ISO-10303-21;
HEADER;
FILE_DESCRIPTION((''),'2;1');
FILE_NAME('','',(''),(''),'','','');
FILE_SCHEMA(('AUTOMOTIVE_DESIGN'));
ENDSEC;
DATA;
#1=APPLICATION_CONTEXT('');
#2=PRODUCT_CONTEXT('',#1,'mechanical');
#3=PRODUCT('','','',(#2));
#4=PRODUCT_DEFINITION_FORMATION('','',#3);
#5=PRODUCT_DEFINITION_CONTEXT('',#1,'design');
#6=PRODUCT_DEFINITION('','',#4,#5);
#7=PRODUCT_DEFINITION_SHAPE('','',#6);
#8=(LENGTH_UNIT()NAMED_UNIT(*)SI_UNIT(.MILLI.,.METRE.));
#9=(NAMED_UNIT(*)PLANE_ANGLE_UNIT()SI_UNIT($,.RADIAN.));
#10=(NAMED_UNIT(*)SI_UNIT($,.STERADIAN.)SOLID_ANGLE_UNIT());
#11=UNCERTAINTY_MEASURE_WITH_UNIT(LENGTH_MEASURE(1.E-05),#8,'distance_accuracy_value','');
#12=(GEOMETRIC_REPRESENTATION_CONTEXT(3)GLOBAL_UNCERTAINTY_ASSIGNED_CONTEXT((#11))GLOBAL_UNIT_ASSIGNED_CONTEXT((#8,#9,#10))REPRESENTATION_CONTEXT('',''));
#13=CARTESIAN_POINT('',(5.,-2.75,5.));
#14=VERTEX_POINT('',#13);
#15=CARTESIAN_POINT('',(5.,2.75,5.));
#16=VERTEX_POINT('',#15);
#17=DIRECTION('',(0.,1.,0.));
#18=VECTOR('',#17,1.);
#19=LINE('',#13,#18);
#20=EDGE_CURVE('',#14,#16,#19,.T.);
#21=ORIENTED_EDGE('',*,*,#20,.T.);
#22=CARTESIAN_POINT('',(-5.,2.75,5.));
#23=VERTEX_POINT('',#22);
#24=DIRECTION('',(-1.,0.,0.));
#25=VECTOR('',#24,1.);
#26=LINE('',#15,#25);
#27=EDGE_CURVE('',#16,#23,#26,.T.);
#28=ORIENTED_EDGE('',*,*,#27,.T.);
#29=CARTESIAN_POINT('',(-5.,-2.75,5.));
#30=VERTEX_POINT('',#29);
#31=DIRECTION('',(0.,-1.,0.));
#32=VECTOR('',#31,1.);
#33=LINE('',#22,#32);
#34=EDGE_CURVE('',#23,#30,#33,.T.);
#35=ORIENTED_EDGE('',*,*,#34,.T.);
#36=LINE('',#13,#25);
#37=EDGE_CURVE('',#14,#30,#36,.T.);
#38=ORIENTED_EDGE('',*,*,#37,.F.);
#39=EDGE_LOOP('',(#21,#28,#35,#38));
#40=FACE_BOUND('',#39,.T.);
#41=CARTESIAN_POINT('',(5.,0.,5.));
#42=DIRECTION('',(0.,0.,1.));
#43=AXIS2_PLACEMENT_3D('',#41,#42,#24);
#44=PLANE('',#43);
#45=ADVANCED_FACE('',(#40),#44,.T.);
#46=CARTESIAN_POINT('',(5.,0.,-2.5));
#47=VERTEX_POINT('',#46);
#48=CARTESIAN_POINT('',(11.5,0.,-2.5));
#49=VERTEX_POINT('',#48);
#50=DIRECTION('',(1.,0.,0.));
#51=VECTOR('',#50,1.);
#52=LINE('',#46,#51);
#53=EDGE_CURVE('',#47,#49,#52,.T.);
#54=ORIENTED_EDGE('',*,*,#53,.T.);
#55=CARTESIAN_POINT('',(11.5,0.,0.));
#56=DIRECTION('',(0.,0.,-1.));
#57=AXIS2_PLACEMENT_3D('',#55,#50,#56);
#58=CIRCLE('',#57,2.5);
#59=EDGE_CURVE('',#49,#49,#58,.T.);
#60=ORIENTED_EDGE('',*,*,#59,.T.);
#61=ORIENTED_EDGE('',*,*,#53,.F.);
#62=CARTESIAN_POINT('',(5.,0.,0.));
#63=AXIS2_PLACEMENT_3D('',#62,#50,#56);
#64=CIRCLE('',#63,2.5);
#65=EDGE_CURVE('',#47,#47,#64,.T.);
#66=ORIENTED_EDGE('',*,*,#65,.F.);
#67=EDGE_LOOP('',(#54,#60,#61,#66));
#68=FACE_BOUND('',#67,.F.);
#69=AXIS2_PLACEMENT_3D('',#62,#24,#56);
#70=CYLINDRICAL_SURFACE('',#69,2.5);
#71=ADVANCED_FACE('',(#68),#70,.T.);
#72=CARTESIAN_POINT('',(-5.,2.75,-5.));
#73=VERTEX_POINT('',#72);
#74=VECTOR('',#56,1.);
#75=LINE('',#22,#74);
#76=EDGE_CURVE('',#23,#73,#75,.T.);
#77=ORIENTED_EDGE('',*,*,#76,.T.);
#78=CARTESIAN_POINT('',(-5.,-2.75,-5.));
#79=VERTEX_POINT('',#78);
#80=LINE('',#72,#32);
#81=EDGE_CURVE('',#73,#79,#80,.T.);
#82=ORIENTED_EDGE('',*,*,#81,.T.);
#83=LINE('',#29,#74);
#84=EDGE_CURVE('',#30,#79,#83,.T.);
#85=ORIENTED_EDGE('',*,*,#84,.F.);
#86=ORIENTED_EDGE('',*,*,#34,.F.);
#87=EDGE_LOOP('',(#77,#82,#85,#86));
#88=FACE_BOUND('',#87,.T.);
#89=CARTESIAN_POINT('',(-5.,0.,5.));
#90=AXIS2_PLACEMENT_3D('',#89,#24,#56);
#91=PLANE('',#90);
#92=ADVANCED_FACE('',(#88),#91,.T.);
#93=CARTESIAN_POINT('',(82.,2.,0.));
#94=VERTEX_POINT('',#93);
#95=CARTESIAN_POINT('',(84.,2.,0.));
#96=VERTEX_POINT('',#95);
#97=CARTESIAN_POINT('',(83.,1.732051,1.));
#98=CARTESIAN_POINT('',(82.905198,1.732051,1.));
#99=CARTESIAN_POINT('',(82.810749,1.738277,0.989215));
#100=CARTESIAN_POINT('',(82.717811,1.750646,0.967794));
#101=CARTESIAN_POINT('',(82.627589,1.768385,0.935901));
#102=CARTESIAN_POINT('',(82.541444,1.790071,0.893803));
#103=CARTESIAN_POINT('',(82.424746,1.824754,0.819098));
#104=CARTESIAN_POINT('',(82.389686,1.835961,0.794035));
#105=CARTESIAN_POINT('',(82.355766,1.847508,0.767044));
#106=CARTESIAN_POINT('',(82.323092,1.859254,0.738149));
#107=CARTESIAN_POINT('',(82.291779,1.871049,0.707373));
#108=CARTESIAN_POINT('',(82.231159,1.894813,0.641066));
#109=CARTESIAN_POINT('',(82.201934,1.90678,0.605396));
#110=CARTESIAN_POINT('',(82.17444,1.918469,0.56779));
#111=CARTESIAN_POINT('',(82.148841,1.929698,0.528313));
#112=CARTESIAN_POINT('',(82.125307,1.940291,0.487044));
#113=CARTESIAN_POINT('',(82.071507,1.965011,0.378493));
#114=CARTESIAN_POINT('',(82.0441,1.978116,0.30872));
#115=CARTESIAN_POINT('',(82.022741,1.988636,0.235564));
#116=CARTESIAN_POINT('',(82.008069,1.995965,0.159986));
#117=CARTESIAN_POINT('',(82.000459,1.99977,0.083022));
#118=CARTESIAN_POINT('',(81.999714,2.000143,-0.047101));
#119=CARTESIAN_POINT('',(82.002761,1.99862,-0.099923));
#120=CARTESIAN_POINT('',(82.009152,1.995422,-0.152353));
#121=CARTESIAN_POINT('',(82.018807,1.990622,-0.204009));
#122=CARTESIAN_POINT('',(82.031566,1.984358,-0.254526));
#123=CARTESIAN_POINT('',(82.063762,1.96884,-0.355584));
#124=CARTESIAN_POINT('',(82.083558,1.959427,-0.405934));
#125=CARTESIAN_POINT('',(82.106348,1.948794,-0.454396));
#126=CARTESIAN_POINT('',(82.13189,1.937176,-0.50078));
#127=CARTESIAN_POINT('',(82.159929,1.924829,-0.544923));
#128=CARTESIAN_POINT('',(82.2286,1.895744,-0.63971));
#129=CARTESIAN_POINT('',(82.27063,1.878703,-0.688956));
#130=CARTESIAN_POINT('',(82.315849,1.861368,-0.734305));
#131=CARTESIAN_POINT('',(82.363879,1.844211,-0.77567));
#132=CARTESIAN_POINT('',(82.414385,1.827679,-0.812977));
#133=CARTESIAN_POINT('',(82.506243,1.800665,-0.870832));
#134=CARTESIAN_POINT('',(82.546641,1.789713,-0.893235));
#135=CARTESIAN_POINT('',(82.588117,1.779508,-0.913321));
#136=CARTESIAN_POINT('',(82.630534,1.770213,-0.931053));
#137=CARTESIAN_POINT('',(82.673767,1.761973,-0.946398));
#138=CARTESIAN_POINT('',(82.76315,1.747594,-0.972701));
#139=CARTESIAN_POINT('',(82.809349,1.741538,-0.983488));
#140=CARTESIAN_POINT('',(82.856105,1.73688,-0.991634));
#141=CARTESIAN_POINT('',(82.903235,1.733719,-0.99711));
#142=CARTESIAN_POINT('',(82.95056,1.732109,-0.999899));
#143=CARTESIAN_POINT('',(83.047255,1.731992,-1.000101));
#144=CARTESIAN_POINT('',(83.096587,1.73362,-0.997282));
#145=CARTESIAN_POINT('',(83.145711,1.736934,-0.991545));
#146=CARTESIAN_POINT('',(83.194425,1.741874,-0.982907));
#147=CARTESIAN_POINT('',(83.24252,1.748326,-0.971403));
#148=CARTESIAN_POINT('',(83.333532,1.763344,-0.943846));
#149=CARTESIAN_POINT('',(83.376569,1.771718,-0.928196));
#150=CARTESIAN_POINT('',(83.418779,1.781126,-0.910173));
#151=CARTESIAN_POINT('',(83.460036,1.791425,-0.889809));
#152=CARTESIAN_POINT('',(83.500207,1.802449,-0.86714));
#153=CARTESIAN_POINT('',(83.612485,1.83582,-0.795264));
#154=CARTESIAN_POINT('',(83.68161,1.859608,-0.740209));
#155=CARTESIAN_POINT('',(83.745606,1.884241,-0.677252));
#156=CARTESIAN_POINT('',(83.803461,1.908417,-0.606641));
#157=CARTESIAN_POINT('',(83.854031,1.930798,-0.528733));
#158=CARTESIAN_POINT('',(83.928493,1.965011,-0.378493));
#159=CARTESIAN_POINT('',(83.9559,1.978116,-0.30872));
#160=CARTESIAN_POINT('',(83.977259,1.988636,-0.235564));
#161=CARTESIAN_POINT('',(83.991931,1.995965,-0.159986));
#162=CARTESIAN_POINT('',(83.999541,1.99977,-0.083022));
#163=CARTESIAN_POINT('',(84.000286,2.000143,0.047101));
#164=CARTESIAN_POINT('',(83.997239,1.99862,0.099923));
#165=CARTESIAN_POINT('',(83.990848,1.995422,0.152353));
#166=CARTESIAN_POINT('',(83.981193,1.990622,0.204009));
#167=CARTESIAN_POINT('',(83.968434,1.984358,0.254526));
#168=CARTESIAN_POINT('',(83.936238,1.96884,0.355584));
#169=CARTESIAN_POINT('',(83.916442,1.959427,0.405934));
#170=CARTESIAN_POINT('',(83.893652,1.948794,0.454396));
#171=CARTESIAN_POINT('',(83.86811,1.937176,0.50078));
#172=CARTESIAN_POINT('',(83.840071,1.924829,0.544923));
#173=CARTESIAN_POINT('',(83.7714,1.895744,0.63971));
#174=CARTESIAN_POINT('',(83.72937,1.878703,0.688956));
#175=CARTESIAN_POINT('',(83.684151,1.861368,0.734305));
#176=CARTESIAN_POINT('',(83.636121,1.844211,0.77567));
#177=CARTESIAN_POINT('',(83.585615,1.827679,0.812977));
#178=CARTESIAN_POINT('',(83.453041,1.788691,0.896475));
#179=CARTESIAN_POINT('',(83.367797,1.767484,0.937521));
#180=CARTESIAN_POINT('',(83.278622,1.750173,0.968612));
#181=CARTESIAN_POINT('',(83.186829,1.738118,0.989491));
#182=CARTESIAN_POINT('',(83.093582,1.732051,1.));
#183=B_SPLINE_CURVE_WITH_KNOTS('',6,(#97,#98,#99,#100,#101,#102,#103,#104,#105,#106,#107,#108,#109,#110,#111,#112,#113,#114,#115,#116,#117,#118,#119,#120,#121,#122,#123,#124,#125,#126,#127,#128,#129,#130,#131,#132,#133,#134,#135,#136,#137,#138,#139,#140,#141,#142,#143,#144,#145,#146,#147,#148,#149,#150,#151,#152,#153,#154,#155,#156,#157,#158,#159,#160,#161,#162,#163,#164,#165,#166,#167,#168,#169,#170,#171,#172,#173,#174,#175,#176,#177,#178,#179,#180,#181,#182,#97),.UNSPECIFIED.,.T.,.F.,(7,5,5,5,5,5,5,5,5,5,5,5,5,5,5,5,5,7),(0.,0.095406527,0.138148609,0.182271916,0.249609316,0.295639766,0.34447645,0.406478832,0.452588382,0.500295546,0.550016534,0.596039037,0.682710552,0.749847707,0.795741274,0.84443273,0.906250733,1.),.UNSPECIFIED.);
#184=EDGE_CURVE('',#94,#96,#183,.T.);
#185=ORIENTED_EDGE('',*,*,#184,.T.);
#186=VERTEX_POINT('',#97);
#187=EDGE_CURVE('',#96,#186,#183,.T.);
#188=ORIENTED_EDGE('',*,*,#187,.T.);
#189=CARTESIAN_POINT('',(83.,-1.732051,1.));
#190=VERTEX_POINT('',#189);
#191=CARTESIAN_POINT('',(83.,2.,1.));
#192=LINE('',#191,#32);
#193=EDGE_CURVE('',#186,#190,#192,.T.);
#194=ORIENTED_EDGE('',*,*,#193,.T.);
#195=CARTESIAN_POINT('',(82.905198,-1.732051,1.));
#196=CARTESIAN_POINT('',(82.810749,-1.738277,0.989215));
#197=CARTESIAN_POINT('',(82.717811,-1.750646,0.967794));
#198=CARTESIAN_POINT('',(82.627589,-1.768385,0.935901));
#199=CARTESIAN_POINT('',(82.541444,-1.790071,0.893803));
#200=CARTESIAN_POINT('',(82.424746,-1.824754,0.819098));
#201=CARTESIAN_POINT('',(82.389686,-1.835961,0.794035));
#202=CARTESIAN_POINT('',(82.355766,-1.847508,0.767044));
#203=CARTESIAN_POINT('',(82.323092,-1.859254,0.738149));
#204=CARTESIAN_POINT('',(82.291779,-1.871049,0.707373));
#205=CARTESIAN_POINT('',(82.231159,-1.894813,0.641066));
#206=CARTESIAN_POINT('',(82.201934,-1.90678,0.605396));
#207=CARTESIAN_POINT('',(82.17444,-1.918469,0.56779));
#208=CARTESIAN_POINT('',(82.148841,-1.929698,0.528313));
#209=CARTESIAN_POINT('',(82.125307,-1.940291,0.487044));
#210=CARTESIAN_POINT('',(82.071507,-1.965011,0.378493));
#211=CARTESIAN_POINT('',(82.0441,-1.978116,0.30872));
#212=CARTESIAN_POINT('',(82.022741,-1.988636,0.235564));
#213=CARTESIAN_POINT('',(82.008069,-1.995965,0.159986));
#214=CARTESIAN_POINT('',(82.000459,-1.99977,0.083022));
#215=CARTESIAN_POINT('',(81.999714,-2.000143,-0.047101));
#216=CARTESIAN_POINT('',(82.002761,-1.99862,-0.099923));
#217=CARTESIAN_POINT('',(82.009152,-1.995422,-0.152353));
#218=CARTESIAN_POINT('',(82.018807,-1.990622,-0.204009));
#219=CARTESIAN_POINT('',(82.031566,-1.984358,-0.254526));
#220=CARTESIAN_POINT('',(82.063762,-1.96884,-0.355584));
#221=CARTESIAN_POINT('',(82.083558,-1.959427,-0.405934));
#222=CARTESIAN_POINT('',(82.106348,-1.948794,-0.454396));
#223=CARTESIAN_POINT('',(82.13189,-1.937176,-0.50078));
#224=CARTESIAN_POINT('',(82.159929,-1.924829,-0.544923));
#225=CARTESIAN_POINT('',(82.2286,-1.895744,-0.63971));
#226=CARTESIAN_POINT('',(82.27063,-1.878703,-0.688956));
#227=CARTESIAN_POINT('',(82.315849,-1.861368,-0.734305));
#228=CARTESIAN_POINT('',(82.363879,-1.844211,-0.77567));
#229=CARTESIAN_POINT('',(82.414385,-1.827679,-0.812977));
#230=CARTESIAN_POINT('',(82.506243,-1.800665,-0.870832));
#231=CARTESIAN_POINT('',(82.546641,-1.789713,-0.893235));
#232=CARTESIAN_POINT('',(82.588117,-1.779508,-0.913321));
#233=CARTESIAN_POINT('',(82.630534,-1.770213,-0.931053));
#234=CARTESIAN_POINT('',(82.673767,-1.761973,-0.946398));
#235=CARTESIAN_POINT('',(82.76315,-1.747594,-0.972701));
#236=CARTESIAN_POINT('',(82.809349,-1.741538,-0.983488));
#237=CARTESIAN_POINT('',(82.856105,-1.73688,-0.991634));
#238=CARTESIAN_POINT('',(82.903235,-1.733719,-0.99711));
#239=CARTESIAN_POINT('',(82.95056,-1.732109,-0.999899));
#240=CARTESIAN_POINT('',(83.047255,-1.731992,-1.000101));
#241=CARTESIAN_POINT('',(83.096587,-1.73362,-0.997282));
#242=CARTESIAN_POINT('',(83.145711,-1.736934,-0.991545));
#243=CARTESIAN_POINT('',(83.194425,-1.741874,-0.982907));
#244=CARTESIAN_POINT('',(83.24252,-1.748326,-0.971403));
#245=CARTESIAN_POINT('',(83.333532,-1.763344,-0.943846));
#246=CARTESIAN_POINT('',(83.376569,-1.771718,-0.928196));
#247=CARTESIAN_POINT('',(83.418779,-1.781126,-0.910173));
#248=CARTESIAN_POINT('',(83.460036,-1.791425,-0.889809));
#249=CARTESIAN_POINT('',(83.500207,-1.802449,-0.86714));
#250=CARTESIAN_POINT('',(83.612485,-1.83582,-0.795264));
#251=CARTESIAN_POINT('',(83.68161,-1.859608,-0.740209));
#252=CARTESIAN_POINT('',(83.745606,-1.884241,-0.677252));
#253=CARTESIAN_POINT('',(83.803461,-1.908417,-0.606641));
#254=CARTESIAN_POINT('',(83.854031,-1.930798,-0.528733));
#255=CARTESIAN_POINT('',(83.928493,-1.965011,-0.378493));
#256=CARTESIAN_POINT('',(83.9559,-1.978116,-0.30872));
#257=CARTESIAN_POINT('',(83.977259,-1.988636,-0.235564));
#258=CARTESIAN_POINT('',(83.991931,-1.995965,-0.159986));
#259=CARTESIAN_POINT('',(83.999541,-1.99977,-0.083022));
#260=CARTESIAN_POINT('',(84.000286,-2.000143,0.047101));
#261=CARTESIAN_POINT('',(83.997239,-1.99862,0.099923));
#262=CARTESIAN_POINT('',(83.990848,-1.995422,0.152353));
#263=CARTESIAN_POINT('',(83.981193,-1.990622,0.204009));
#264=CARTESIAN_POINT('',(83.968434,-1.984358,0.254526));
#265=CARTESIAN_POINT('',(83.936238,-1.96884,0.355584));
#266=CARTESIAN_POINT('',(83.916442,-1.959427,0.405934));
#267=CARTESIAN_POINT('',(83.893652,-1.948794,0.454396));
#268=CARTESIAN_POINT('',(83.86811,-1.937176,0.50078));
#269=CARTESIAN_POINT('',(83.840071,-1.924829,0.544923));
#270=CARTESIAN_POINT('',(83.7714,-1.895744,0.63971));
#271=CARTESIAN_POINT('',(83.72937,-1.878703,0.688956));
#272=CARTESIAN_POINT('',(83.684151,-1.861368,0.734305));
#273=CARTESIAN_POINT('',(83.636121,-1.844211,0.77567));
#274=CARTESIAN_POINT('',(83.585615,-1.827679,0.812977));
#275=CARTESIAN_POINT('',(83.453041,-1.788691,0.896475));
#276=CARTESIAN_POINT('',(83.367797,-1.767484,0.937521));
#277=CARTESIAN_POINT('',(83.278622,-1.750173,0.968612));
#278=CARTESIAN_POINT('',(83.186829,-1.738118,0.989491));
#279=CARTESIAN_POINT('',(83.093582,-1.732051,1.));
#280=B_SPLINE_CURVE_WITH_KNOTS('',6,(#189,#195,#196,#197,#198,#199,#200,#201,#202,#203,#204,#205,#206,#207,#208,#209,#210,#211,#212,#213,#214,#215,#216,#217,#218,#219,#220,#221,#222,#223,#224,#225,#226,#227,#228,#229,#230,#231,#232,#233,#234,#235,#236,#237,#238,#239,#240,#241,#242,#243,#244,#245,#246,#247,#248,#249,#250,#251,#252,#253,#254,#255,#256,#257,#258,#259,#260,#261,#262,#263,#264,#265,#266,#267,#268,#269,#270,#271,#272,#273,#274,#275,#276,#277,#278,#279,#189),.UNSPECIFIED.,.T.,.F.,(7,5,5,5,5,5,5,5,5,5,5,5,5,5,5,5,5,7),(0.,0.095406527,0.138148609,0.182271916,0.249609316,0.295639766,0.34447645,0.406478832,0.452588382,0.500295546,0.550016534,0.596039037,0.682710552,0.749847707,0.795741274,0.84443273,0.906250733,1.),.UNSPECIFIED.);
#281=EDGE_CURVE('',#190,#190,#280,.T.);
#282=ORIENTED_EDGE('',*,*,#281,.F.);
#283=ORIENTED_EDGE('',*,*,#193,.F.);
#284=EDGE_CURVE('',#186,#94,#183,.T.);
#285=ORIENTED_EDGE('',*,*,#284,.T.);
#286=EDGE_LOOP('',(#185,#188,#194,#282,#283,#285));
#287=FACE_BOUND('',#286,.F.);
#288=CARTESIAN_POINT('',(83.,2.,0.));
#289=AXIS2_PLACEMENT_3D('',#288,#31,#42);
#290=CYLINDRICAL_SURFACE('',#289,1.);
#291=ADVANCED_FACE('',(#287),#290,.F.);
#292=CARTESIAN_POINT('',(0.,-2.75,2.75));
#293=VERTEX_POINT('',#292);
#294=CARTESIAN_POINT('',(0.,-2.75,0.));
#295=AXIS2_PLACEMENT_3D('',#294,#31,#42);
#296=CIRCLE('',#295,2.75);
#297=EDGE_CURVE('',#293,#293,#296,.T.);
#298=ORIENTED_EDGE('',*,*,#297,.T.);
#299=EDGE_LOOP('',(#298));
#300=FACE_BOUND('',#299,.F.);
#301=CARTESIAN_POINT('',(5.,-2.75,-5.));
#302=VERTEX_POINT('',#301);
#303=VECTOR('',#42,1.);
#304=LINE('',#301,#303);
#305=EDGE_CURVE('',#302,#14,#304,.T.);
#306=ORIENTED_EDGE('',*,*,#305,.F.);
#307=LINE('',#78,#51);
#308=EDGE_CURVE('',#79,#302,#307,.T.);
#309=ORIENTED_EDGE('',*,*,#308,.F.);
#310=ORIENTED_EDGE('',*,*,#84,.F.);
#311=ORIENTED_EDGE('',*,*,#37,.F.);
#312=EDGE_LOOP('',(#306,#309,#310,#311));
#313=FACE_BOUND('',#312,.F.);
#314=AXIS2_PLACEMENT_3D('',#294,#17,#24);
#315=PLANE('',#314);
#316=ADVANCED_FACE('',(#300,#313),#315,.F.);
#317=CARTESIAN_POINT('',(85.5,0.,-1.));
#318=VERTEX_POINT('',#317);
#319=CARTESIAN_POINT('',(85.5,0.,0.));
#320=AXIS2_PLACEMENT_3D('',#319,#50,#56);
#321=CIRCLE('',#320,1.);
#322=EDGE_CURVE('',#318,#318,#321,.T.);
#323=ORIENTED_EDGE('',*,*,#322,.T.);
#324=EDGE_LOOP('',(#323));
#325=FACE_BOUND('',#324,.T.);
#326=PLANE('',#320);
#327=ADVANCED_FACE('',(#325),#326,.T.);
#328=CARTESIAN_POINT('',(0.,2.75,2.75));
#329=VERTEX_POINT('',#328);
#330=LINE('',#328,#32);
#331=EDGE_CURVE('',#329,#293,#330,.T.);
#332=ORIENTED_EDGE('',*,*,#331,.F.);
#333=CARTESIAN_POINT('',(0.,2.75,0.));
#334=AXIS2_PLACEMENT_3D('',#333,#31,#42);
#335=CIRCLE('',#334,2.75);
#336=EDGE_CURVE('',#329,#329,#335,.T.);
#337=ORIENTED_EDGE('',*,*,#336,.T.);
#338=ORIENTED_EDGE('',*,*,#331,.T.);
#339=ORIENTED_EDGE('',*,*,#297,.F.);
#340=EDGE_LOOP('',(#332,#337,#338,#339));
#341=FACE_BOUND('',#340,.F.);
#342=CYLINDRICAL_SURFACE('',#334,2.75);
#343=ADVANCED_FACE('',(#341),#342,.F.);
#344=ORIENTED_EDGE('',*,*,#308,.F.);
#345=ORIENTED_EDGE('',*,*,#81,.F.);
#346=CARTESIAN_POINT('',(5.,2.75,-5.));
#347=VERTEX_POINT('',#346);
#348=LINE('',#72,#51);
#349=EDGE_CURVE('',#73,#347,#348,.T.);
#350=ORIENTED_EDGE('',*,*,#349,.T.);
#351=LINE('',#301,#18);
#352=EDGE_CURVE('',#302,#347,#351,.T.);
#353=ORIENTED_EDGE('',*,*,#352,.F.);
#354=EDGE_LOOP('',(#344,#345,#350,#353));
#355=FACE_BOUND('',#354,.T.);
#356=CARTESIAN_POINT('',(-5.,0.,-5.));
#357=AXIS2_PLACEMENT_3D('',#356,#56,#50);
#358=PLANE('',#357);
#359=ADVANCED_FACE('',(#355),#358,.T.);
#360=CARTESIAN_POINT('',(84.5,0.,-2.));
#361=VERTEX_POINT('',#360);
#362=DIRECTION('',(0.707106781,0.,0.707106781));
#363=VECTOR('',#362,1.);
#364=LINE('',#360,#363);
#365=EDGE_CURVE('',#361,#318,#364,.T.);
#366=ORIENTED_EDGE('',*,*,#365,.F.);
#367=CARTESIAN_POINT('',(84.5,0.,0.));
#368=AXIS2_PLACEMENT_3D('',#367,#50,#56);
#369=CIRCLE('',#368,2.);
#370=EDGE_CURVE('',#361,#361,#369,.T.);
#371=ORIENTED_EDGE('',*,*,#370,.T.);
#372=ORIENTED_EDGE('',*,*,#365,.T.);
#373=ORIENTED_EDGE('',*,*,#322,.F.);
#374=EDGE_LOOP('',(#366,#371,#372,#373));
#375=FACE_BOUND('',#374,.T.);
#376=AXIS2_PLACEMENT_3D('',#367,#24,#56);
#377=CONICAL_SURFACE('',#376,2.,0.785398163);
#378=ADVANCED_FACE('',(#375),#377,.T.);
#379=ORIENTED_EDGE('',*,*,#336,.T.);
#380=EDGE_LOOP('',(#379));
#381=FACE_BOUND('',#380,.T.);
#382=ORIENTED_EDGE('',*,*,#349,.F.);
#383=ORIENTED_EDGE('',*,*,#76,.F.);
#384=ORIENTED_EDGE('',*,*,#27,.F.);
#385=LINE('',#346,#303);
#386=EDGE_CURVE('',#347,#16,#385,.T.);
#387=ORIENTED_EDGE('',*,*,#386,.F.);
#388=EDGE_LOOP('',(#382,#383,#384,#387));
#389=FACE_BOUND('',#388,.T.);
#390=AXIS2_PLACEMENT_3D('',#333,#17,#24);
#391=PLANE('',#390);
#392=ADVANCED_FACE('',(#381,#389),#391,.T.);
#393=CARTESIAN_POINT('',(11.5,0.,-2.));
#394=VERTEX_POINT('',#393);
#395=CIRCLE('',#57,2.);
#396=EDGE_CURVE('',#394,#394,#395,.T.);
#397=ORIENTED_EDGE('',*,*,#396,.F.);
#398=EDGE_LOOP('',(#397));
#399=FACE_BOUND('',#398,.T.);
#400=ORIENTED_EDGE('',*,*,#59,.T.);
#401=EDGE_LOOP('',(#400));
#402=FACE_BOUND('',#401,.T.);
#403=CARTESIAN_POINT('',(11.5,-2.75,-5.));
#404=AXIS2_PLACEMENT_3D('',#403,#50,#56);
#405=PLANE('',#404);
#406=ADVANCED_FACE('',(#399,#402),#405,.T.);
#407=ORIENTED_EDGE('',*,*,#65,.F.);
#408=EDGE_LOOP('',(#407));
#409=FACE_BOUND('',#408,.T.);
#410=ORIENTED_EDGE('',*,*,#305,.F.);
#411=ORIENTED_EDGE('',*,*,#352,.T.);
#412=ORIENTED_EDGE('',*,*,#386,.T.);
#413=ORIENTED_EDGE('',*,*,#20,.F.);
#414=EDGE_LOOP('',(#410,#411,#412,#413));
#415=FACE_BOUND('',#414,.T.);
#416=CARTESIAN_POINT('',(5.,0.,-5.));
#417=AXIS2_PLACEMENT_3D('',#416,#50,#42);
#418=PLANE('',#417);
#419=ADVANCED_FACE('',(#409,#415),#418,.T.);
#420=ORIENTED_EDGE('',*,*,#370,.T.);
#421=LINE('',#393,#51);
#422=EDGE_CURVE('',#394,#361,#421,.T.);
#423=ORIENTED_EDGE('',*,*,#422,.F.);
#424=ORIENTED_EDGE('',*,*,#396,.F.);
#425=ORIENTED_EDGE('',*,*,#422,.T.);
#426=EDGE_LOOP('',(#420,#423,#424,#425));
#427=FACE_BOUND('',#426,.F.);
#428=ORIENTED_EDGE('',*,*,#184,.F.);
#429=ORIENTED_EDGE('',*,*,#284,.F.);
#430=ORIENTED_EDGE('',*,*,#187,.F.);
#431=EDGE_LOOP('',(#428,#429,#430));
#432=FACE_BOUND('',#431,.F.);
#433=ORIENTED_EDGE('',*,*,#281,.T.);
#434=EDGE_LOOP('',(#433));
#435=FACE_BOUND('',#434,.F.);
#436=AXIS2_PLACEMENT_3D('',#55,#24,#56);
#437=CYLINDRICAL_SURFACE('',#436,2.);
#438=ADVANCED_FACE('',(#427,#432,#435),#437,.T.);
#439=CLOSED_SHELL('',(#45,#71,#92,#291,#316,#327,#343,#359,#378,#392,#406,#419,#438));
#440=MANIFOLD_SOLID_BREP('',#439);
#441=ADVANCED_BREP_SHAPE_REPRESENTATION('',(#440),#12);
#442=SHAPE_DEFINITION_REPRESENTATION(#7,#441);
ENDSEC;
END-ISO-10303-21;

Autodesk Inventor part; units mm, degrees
ref_plane "YZ Plane" through (0, 0, 0) normal (1, 0, 0) x (0, 1, 0)
ref_plane "XY Plane" through (0, 0, 0) normal (0, 0, 1) x (1, 0, 0)
sketch "Skizze1" plane through (0, 0, 0) normal (0, 1, 0) x (-1, 0, 0)
  line L0 (-5, 5) -> (5, 5)
  line L1 (5, 5) -> (5, -5)
  line L2 (5, -5) -> (-5, -5)
  line L3 (-5, -5) -> (-5, 5)
  line L4 (-5, 5) -> (5, -5) construction
  line L5 (5, 5) -> (-5, -5) construction
  point P0 (0, 0)
  dimension "d0" = 10
  dimension "d1" = 10
extrude "Extrusion1" add sketch "Skizze1" along normal mid plane 5.5
sketch "Skizze2" plane through (5, -2.75, -5) normal (1, 0, 0) x (0, 0, -1)
  circle A0 centre (-5, 2.75) radius 2.5
  dimension "d4" = 5
extrude "Extrusion2" add sketch "Skizze2" along normal blind 6.5
sketch "Skizze3" plane through (11.5, 0, 0) normal (1, 0, 0) x (0, 0, -1)
  circle A0 centre (0, 0) radius 2.5 projected
  circle A1 centre (0, 0) radius 2
  dimension "d7" = 4
extrude "Extrusion3" add sketch "Skizze3" along normal blind 74 contours A1
sketch "Skizze4" plane through (0, 2.75, 0) normal (0, 1, 0) x (1, 0, 0)
  point P0 (0, 0)
  point P1 (0, 0)
hole "Bohrung1" at (0, 2.75, 0) direction (0, -1, 0) diameter 5.5 depth 5.5
ref_plane "Arbeitsebene1" through (0, 2, 0) normal (0, 1, 0) x (-1, 0, 0)
sketch "Skizze5" plane through (0, 2, 0) normal (0, 1, 0) x (-1, 0, 0)
  line L0 (-85.5, 2) -> (-85.5, -2) projected
  point P0 (0, 0)
  point P1 (-83, 0)
  dimension "d18" = 2.5
hole "Bohrung2" at (83, 2, 0) direction (0, -1, 0) diameter 2 end through all
chamfer "Fasen1" distance 1 angle 45 1 edges at (85.5, 0, 2)
properties part number "BMS_24" material "Titan"
